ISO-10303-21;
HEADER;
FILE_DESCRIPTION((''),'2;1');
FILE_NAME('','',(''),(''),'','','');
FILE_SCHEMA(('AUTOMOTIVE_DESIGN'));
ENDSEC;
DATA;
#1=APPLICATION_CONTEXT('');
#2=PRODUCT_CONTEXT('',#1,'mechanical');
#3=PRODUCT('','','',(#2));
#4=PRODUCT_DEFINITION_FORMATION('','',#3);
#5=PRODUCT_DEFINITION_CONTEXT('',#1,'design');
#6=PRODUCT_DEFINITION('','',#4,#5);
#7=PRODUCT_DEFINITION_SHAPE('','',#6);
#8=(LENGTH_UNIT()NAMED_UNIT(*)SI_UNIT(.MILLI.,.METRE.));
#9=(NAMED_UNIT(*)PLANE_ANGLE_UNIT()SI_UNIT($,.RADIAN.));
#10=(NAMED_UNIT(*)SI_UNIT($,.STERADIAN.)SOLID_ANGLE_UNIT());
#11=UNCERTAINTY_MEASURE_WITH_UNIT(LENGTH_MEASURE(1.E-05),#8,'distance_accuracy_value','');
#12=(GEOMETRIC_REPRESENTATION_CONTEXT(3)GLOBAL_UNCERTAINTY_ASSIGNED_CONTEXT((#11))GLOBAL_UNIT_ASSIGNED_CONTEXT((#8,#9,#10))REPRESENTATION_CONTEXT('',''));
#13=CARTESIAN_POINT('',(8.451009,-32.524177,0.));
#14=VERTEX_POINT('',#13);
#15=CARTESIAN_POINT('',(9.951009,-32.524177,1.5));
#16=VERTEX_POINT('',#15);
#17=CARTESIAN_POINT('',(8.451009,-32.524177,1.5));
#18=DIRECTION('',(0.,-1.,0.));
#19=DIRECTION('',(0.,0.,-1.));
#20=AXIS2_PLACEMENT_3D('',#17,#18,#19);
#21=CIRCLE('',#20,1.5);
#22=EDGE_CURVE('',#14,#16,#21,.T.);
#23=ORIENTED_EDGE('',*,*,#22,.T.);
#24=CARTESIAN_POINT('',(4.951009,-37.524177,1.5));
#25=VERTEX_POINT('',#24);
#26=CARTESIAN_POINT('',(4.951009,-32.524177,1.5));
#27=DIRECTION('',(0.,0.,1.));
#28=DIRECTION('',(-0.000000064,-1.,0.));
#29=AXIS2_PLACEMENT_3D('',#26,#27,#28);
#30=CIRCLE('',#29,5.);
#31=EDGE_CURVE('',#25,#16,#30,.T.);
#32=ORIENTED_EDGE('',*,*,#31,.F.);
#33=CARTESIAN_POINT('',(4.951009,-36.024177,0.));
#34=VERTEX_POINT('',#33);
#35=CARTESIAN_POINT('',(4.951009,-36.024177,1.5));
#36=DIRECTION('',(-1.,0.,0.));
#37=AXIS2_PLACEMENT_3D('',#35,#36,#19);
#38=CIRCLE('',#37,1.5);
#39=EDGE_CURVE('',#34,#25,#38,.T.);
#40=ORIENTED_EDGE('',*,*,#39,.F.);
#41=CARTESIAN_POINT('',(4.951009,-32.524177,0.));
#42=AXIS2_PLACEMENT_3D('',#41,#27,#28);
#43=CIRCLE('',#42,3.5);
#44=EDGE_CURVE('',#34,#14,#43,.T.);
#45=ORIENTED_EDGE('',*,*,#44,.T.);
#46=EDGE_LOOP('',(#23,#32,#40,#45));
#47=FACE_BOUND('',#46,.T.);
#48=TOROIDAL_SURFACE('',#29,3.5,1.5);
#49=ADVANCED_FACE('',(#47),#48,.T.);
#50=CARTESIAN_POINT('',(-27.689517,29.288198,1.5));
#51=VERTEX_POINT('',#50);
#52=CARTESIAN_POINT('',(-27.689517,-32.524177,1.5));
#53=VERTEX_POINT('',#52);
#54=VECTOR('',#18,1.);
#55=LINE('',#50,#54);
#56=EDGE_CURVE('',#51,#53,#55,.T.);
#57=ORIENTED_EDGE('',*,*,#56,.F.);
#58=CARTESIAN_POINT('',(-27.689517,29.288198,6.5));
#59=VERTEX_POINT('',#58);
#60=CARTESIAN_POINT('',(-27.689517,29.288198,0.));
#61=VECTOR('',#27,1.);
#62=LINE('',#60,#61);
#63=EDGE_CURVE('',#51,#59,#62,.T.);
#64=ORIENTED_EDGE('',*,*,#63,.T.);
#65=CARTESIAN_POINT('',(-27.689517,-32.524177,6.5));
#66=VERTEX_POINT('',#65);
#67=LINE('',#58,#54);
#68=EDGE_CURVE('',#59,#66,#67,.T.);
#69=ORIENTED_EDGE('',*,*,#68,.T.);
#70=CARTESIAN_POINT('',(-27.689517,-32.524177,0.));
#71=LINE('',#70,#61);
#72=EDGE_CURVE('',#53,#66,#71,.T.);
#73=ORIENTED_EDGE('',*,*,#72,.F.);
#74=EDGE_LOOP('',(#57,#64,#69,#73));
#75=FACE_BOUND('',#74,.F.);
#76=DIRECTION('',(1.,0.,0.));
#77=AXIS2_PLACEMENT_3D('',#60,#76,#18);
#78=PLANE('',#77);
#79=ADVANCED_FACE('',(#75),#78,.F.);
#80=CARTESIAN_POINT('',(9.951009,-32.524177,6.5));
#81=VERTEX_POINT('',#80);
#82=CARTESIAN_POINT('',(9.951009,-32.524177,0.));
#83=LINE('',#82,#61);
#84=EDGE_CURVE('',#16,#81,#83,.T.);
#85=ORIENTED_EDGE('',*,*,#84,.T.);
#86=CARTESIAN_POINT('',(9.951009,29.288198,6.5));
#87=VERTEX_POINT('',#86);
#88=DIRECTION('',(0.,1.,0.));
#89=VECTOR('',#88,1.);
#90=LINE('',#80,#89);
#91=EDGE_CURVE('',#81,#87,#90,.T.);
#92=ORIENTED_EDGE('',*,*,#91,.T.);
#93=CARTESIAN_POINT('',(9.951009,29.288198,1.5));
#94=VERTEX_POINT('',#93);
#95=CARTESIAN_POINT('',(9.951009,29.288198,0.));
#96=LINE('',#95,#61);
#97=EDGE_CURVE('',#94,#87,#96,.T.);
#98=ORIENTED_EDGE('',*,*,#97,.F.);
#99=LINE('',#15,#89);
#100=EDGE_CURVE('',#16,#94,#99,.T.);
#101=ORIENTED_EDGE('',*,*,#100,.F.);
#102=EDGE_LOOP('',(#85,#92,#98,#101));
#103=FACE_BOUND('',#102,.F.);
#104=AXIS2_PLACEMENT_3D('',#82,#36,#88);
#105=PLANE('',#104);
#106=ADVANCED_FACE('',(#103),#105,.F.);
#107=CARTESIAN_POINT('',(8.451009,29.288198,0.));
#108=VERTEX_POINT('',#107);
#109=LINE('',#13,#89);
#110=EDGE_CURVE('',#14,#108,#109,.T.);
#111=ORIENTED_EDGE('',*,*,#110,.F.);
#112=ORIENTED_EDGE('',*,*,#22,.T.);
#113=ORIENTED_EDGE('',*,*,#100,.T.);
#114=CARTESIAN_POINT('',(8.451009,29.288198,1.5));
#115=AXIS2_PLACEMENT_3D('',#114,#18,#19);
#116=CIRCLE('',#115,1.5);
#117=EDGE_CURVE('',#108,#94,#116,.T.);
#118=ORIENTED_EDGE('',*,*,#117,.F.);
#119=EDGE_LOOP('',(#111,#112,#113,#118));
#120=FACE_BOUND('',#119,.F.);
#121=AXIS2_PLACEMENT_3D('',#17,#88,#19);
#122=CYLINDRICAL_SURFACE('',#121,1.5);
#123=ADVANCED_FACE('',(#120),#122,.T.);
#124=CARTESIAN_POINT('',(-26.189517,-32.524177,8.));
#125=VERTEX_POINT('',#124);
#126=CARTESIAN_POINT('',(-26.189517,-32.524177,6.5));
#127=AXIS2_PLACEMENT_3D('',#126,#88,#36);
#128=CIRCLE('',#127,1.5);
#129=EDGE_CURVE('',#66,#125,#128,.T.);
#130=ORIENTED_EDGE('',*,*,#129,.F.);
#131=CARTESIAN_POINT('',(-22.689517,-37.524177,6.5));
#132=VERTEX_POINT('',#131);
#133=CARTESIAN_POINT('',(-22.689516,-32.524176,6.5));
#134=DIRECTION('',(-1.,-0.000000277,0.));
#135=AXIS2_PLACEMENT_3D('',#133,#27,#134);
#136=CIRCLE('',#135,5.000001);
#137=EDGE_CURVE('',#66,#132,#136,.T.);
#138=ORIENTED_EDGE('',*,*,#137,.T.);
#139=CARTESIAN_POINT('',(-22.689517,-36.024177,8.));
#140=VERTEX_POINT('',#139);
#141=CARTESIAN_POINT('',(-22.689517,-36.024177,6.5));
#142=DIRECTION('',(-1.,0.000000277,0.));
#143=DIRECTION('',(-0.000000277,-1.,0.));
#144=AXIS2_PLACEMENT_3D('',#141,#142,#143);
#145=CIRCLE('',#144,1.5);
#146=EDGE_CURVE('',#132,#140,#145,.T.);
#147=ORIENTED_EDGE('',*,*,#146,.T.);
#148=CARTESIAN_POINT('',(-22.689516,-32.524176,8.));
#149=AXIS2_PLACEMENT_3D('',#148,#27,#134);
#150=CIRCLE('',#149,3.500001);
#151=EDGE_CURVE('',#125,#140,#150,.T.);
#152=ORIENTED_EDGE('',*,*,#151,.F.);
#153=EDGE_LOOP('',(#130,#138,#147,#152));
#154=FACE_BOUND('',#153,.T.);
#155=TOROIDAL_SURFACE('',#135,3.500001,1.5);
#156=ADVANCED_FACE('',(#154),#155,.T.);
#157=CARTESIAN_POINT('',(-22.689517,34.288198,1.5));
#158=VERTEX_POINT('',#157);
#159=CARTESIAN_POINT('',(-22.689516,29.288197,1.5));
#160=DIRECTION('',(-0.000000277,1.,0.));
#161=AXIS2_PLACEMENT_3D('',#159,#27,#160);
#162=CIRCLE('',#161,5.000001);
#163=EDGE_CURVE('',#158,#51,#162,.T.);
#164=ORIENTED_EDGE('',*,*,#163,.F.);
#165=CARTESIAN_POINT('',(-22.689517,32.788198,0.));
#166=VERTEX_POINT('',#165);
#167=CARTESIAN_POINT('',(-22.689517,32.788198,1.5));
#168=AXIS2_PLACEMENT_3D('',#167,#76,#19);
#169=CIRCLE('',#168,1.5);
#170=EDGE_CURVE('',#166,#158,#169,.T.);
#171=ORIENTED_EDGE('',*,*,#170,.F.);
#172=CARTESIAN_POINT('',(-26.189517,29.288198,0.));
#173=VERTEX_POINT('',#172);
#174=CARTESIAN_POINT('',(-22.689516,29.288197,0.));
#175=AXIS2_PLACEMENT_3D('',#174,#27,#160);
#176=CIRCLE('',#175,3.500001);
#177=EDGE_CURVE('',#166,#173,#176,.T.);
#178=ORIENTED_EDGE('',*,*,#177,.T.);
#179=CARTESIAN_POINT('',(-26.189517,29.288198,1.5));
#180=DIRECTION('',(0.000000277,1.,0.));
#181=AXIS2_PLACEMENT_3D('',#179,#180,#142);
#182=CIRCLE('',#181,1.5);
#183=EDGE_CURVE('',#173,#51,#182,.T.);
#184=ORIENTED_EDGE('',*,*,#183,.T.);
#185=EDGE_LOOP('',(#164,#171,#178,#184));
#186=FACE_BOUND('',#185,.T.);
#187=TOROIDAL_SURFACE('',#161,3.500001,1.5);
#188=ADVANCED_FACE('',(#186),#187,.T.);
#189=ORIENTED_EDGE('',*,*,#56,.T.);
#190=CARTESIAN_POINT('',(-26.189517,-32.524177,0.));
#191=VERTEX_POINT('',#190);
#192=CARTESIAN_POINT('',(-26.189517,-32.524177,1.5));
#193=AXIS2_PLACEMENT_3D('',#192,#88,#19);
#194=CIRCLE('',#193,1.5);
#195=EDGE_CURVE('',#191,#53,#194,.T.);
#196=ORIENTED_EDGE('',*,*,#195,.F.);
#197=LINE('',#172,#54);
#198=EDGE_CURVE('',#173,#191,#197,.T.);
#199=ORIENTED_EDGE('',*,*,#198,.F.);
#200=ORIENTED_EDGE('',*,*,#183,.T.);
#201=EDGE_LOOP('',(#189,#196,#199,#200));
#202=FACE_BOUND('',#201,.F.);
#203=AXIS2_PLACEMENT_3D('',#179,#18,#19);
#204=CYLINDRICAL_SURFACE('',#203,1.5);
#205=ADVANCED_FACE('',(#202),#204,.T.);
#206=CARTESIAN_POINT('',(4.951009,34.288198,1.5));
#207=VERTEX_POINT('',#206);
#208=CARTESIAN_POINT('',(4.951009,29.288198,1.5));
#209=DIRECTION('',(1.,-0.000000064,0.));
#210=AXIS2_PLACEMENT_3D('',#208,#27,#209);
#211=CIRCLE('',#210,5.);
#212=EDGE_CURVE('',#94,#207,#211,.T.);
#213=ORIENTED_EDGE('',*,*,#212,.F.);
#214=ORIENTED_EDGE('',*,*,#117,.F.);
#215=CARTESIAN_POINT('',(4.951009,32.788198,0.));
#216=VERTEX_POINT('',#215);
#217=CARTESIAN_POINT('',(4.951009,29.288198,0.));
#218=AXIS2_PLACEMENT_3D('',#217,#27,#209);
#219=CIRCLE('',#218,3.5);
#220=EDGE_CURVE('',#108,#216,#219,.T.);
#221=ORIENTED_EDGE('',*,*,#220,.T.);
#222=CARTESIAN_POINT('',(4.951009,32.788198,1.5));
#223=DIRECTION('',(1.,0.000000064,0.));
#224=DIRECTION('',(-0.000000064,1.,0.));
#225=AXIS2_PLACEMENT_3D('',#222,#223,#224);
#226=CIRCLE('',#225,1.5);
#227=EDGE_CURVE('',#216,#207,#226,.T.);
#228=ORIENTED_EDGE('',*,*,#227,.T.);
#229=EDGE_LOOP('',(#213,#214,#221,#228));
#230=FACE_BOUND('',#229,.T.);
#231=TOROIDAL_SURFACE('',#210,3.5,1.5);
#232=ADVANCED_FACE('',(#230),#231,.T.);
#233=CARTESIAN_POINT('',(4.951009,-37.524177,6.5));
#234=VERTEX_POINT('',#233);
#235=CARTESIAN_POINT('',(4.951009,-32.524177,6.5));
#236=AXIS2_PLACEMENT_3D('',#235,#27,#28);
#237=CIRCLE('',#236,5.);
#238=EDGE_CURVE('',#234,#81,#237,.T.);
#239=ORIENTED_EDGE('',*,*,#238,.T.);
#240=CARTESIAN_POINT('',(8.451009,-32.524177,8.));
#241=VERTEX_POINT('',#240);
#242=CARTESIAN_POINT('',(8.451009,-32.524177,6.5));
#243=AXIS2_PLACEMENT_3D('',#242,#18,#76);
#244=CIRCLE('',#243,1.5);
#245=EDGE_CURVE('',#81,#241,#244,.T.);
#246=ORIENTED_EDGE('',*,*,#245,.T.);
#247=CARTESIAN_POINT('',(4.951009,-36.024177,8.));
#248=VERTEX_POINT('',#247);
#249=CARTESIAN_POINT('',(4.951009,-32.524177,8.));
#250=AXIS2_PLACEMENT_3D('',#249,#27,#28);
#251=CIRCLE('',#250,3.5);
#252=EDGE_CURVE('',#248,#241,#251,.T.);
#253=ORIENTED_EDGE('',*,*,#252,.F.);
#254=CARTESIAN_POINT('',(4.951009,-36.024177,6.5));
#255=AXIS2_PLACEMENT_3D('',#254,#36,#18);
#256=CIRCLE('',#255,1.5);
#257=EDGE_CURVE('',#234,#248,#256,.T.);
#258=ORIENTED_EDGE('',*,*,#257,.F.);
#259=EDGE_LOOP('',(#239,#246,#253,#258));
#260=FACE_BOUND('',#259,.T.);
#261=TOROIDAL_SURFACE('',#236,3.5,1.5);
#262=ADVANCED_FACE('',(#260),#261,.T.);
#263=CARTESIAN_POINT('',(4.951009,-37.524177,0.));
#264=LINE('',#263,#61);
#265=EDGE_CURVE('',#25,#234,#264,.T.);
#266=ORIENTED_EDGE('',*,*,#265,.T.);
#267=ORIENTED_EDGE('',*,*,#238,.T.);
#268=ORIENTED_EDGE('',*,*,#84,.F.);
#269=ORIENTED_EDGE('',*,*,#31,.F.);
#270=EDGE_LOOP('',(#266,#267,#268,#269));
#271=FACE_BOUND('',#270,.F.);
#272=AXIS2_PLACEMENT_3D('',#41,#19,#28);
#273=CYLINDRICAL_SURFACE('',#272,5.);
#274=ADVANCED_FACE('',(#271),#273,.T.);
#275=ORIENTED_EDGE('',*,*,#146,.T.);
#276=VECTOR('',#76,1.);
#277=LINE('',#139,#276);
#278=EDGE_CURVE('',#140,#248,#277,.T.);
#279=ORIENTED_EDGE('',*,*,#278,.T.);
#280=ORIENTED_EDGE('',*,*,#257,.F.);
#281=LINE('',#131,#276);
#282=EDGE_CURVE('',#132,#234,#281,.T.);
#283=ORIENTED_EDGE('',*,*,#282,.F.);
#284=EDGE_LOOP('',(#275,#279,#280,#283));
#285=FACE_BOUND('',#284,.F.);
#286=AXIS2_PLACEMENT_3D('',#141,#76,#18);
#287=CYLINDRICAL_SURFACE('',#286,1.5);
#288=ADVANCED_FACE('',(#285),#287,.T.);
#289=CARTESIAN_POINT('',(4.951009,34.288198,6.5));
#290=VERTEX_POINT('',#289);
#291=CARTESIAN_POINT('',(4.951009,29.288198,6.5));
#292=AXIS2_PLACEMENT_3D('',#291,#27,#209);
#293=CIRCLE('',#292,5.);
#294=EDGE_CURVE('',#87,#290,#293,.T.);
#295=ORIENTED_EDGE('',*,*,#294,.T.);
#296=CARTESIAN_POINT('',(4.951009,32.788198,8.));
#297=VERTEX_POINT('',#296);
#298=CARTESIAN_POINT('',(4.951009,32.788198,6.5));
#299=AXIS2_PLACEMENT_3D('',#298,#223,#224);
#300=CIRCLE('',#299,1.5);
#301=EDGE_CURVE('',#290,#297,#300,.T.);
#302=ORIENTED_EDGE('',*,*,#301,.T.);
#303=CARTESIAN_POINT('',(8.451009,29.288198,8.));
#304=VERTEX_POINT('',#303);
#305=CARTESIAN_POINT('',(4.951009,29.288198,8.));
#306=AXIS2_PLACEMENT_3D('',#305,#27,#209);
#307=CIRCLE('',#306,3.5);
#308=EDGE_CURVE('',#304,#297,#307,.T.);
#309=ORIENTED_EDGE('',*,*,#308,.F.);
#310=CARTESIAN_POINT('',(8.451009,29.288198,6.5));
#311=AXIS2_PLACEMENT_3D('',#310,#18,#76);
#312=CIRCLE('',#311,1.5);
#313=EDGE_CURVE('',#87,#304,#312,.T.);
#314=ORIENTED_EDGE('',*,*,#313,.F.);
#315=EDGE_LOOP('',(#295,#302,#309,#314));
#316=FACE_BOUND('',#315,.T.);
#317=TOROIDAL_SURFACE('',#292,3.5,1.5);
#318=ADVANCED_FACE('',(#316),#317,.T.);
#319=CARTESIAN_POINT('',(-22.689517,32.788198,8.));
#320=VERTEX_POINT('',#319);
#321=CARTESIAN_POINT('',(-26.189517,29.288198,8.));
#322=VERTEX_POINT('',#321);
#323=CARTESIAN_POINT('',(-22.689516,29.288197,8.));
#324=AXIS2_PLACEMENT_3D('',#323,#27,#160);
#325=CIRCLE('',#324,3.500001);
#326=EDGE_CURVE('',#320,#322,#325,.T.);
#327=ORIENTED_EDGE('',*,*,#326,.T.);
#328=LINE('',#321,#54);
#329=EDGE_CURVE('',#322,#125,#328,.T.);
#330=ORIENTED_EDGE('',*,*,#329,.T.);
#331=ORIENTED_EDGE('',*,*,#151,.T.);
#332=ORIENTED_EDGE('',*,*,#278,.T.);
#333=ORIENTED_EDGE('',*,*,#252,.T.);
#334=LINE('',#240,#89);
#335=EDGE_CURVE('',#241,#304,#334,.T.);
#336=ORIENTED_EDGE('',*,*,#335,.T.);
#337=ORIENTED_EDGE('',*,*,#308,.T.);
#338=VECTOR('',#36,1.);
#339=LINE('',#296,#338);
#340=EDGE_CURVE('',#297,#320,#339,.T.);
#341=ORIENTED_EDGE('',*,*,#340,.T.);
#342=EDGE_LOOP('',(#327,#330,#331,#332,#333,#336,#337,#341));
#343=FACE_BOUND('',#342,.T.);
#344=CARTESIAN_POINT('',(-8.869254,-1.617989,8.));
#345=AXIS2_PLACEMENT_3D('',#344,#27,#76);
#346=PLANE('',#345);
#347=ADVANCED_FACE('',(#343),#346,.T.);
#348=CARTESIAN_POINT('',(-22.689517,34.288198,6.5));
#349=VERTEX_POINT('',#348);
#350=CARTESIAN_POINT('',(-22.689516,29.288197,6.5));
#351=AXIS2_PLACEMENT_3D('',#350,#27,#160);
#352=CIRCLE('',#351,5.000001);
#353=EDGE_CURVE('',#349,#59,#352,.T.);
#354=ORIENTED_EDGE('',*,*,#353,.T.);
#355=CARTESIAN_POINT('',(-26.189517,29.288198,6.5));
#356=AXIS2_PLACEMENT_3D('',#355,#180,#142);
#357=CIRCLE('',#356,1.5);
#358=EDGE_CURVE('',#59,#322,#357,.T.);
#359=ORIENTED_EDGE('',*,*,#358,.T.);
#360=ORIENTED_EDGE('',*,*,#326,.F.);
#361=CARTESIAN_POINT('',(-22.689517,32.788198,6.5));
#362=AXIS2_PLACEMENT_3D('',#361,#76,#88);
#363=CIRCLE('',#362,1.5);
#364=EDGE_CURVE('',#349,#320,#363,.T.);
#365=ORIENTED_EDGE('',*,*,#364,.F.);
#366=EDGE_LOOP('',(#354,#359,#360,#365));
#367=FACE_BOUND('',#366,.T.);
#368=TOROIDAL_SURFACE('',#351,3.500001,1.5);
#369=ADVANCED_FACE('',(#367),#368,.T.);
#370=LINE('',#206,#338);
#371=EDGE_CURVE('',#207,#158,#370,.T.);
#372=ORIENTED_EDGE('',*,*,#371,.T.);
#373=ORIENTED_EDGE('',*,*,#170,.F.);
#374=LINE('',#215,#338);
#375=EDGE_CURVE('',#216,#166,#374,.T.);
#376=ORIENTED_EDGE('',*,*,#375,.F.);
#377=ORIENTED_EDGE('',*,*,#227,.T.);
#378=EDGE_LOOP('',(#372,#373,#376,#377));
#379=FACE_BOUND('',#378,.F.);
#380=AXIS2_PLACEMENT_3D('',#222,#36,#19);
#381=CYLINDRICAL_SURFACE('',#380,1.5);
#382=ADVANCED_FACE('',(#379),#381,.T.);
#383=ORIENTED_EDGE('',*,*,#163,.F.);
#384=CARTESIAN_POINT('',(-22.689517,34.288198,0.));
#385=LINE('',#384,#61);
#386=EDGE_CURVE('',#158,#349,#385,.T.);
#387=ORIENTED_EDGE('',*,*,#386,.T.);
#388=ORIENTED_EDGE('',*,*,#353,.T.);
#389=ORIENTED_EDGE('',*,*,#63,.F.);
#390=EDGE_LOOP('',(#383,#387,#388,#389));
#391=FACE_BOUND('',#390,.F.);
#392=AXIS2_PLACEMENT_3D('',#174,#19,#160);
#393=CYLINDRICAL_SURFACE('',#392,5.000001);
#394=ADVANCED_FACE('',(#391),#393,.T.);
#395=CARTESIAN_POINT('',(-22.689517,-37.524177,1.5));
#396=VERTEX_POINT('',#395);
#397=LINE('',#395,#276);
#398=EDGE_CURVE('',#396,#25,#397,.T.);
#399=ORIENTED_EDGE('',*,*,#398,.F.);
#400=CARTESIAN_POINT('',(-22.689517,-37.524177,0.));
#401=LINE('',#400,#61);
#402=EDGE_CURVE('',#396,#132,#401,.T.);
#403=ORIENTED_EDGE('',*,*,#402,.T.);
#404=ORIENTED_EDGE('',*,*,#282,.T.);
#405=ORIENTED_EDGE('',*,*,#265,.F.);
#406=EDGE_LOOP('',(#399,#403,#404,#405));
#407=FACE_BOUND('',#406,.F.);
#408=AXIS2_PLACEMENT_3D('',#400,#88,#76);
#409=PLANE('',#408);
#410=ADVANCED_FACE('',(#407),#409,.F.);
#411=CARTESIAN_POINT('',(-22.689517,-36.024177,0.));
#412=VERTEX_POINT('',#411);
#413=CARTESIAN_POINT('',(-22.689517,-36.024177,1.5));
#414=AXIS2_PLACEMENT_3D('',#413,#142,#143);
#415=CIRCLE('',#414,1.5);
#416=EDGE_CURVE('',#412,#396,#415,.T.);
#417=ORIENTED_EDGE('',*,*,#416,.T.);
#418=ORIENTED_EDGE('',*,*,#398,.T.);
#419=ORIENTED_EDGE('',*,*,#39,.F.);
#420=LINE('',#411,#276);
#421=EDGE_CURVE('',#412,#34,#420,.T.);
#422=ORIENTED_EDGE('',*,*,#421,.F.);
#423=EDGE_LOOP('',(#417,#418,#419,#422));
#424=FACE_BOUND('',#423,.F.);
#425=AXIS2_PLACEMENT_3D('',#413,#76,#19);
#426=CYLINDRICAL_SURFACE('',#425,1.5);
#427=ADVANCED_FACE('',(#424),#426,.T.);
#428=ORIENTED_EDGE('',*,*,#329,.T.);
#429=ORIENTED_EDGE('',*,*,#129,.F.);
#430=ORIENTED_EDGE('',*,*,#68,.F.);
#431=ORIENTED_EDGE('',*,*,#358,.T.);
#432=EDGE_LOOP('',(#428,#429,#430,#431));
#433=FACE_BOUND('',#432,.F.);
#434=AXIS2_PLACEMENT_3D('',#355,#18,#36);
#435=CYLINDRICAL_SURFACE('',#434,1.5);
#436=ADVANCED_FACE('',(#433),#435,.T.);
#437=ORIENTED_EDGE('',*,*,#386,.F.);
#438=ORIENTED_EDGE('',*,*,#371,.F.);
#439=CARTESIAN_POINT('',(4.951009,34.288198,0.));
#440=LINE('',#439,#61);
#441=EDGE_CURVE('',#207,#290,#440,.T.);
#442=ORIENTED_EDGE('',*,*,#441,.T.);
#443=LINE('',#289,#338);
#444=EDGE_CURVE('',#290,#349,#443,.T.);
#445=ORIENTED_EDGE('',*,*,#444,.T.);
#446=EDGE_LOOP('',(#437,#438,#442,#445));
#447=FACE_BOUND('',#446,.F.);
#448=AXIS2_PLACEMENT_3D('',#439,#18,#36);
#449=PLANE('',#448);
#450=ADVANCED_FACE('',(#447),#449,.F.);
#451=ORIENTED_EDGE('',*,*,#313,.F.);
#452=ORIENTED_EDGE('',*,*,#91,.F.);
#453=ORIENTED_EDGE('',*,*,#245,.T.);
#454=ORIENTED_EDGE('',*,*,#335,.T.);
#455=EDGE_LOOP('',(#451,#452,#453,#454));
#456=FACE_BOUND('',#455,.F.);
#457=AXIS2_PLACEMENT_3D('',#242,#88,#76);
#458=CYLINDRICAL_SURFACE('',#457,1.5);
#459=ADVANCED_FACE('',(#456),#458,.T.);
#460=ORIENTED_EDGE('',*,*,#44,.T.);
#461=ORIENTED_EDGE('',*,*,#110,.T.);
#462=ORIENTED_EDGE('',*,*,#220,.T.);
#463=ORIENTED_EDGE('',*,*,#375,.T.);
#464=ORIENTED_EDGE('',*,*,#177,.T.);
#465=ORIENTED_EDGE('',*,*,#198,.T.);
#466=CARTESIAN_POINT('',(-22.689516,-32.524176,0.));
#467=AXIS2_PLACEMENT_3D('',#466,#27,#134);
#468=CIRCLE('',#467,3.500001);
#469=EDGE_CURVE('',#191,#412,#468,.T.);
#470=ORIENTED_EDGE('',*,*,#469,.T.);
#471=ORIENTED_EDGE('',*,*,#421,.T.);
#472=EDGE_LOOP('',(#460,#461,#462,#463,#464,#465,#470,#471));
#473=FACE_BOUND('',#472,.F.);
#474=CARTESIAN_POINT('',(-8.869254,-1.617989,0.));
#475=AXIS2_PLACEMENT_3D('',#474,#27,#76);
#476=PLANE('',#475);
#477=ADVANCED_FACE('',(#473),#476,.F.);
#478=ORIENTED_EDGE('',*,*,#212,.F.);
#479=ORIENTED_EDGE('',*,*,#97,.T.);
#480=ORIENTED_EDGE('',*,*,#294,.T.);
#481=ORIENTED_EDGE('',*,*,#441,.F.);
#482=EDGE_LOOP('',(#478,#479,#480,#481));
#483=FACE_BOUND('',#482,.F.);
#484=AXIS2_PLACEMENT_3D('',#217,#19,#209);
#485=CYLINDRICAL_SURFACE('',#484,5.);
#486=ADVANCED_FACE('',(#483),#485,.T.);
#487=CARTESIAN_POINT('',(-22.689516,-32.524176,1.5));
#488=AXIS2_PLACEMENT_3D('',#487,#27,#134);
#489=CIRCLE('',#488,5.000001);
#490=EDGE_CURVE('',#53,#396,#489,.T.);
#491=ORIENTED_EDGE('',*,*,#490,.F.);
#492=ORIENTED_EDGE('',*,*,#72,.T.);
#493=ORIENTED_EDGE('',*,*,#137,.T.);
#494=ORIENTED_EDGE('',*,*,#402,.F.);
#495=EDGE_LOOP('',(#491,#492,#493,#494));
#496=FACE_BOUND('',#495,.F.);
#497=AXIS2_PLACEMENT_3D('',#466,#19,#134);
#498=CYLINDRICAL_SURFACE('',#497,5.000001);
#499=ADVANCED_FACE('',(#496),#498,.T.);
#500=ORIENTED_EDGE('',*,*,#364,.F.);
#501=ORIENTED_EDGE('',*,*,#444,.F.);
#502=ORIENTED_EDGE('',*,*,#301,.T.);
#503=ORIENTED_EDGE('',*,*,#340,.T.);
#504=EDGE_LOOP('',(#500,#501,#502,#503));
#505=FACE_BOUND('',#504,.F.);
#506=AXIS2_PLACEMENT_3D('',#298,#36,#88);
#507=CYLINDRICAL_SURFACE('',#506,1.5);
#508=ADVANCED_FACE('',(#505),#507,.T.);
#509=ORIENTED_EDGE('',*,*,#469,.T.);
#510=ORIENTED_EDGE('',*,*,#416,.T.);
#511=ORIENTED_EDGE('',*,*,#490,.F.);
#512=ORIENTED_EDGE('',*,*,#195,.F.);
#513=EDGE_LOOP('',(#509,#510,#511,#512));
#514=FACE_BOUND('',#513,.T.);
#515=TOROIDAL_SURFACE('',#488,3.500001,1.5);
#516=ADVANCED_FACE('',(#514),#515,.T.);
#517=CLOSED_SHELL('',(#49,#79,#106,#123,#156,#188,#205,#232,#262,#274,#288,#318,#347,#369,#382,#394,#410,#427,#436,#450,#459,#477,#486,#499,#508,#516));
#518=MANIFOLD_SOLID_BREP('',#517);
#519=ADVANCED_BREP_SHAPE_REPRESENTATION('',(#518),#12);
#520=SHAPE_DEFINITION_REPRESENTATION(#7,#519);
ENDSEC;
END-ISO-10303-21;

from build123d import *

# Parameters (mm, degrees)
F1_DEPTH = 8
F2_R     = 1.5
F3_R     = 1.5


with BuildPart() as f1:
    # F0 (on Top) → F1 (new body)
    with BuildSketch(Plane.XY):
        with BuildLine():
            Line((4.951009, 34.288198), (-22.689517, 34.288198))
            ThreePointArc((-22.689517, 34.288198), (-26.22505, 32.823732), (-27.689517, 29.288198))
            Line((-27.689517, 29.288198), (-27.689517, -32.524177))
            ThreePointArc((-27.689517, -32.524177), (-26.22505, -36.059711), (-22.689517, -37.524177))
            Line((-22.689517, -37.524177), (4.951009, -37.524177))
            ThreePointArc((4.951009, -37.524177), (8.486543, -36.059711), (9.951009, -32.524177))
            Line((9.951009, -32.524177), (9.951009, 29.288198))
            ThreePointArc((9.951009, 29.288198), (8.486543, 32.823732), (4.951009, 34.288198))
        make_face()
    extrude(amount=F1_DEPTH)

    # F2
    f2_edges = [f1.edges().sort_by_distance(p)[0] for p in [
        (9.951009, -1.617989, 8),
        (8.486543, 32.823732, 8),
        (-8.869254, 34.288198, 8),
        (-26.22505, 32.823732, 8),
        (-27.689517, -1.617989, 8),
        (-26.22505, -36.059711, 8),
        (-8.869254, -37.524177, 8),
        (8.486543, -36.059711, 8),
    ]]
    fillet(f2_edges, radius=F2_R)

    # F3
    f3_edges = [f1.edges().sort_by_distance(p)[0] for p in [
        (9.951009, -1.617989, 0),
        (8.486543, 32.823732, 0),
        (-8.869254, 34.288198, 0),
        (-26.22505, 32.823732, 0),
        (-27.689517, -1.617989, 0),
        (-26.22505, -36.059711, 0),
        (-8.869254, -37.524177, 0),
        (8.486543, -36.059711, 0),
    ]]
    fillet(f3_edges, radius=F3_R)


solid = f1.part
